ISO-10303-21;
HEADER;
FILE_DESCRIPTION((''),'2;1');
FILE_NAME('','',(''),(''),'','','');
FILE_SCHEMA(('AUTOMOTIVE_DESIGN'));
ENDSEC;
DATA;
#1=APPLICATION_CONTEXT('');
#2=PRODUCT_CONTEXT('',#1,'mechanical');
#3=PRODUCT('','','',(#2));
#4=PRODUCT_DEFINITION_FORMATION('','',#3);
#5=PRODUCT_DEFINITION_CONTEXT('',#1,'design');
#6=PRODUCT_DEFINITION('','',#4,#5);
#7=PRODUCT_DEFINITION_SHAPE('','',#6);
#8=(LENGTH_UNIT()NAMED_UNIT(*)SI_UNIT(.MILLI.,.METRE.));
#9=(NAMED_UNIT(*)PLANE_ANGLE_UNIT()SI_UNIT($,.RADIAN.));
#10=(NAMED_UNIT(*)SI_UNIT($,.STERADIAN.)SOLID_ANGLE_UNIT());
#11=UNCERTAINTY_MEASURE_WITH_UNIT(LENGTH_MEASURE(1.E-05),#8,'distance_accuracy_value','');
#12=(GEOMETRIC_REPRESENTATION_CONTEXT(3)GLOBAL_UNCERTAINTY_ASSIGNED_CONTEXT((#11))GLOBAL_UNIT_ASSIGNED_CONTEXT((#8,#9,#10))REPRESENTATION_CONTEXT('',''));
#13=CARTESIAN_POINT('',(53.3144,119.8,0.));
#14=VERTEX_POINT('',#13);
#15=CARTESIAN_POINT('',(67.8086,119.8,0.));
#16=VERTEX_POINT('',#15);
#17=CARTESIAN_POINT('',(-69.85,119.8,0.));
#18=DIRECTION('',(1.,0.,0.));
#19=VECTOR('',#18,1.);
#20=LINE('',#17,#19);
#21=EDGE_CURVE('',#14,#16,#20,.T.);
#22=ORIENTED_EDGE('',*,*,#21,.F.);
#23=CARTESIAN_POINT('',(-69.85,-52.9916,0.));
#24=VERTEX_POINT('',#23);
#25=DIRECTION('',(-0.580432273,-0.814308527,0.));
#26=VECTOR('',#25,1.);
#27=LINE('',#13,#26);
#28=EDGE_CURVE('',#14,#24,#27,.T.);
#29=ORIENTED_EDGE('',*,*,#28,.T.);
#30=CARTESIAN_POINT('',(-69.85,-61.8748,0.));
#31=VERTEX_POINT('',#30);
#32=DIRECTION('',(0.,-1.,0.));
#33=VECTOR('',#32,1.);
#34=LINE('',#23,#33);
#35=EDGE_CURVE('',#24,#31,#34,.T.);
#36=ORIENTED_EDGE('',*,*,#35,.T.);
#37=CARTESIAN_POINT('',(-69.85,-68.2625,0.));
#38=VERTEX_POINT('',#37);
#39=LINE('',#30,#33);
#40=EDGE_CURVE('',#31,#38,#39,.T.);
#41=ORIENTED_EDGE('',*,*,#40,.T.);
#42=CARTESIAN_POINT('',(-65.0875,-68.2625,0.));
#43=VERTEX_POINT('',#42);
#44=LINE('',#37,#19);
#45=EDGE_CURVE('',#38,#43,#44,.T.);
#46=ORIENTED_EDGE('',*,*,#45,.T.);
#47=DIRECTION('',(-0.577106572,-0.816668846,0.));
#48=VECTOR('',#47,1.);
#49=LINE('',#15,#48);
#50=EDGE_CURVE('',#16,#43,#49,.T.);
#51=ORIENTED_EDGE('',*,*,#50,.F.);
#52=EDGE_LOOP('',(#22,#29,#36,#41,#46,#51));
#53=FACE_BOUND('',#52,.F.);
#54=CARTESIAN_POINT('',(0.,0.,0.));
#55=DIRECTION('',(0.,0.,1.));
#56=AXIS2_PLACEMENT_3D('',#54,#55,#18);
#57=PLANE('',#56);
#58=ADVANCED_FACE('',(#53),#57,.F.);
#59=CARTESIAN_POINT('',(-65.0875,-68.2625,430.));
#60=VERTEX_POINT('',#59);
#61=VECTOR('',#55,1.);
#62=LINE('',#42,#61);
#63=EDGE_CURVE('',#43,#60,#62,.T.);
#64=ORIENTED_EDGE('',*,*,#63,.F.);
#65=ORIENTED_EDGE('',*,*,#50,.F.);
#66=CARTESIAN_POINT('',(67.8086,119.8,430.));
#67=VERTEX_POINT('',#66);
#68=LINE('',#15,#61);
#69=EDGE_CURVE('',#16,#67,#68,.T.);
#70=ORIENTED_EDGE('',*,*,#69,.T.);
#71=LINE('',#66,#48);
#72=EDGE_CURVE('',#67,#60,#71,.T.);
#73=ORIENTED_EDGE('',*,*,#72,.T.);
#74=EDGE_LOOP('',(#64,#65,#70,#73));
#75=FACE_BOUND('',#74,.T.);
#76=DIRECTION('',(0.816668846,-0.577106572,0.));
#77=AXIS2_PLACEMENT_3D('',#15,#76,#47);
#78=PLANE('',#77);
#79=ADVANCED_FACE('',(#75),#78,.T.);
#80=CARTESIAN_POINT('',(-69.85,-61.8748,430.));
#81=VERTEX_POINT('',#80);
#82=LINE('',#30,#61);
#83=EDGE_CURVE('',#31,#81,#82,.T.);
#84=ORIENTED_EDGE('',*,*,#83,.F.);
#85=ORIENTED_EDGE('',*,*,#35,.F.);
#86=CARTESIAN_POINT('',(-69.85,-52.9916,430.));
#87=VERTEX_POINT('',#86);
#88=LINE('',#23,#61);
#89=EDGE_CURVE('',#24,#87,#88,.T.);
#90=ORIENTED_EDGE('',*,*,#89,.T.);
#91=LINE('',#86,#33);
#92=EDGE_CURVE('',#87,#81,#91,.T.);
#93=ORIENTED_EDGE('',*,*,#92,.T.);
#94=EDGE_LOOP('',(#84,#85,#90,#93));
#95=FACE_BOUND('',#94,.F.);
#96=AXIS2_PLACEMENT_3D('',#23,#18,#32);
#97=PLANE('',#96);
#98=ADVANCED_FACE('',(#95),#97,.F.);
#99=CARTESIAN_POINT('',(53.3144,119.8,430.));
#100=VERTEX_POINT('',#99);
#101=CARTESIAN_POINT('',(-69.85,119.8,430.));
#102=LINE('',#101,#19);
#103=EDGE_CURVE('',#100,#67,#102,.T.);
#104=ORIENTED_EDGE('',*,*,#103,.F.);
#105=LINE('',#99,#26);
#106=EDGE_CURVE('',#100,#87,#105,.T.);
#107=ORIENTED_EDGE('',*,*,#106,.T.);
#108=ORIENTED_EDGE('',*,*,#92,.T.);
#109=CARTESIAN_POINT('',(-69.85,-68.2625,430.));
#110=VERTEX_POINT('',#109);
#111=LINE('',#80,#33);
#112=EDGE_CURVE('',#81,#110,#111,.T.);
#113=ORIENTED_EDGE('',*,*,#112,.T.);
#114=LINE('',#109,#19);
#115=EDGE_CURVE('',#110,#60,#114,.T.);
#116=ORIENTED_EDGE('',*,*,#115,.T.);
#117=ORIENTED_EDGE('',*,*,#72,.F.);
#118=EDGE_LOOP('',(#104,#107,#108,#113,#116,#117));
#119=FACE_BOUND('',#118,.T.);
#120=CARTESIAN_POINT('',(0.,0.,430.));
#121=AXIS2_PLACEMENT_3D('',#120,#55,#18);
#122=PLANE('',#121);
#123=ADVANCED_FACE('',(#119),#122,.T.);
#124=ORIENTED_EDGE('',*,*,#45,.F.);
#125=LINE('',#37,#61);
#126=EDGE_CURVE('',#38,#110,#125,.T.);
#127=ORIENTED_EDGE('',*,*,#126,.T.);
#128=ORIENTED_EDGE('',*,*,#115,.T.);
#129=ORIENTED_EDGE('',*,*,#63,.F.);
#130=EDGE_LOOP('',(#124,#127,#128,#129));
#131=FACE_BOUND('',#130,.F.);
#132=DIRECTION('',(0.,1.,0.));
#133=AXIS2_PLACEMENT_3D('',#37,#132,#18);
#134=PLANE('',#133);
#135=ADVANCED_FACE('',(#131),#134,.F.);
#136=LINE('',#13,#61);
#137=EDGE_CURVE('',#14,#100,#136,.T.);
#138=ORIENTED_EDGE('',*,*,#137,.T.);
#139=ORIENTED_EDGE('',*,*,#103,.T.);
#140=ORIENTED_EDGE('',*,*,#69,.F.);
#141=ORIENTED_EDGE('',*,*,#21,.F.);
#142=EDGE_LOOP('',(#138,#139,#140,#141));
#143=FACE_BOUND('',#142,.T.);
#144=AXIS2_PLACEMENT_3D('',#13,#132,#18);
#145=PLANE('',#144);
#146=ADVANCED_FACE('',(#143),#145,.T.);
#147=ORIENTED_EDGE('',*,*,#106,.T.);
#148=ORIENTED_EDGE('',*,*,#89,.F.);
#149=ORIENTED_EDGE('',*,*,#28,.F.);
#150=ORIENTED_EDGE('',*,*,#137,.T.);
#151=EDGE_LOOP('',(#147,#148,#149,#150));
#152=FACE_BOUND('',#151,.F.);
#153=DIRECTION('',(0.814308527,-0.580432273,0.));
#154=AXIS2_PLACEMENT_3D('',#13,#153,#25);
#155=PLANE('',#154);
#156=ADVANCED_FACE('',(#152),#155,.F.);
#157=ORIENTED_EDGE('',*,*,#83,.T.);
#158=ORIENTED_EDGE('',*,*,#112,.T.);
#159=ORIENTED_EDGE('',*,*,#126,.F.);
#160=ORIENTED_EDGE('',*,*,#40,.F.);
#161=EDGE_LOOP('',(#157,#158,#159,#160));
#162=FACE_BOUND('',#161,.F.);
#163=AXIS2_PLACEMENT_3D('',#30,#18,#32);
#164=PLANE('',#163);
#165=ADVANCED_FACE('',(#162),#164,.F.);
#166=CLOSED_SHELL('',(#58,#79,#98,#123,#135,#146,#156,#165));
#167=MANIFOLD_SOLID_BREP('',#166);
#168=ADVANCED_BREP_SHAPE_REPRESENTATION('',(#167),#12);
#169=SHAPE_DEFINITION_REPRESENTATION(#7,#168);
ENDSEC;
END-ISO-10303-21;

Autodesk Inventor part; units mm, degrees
ref_plane "YZ Plane" through (0, 0, 0) normal (1, 0, 0) x (0, 1, 0)
ref_plane "XZ Plane" through (0, 0, 0) normal (0, 1, 0) x (-1, 0, 0)
ref_plane "XY Plane" through (0, 0, 0) normal (0, 0, 1) x (1, 0, 0)
sketch "Sketch1" plane through (0, 0, 0) normal (0, 0, 1) x (1, 0, 0)
  line L0 (67.8086, 112.822) -> (-59.1914, -66.8193) projected
  line L1 (-69.85, 119.8) -> (69.85, 119.8) projected
  line L2 (67.8086, 119.8) -> (-65.0875, -68.2625)
  line L3 (-69.85, -61.8748) -> (-69.85, -68.2625)
  line L4 (-69.85, -68.2625) -> (-65.0875, -68.2625)
  line L5 (67.8086, 119.8) -> (53.3144, 119.8)
  line L6 (53.3144, 119.8) -> (-69.85, -52.9916)
  line L7 (-69.85, -52.9916) -> (-69.85, -61.8748)
  point P0 (0, 0)
extrude "Extrusion1" add sketch "Sketch1" along normal blind 430
properties part number "Backplane"
